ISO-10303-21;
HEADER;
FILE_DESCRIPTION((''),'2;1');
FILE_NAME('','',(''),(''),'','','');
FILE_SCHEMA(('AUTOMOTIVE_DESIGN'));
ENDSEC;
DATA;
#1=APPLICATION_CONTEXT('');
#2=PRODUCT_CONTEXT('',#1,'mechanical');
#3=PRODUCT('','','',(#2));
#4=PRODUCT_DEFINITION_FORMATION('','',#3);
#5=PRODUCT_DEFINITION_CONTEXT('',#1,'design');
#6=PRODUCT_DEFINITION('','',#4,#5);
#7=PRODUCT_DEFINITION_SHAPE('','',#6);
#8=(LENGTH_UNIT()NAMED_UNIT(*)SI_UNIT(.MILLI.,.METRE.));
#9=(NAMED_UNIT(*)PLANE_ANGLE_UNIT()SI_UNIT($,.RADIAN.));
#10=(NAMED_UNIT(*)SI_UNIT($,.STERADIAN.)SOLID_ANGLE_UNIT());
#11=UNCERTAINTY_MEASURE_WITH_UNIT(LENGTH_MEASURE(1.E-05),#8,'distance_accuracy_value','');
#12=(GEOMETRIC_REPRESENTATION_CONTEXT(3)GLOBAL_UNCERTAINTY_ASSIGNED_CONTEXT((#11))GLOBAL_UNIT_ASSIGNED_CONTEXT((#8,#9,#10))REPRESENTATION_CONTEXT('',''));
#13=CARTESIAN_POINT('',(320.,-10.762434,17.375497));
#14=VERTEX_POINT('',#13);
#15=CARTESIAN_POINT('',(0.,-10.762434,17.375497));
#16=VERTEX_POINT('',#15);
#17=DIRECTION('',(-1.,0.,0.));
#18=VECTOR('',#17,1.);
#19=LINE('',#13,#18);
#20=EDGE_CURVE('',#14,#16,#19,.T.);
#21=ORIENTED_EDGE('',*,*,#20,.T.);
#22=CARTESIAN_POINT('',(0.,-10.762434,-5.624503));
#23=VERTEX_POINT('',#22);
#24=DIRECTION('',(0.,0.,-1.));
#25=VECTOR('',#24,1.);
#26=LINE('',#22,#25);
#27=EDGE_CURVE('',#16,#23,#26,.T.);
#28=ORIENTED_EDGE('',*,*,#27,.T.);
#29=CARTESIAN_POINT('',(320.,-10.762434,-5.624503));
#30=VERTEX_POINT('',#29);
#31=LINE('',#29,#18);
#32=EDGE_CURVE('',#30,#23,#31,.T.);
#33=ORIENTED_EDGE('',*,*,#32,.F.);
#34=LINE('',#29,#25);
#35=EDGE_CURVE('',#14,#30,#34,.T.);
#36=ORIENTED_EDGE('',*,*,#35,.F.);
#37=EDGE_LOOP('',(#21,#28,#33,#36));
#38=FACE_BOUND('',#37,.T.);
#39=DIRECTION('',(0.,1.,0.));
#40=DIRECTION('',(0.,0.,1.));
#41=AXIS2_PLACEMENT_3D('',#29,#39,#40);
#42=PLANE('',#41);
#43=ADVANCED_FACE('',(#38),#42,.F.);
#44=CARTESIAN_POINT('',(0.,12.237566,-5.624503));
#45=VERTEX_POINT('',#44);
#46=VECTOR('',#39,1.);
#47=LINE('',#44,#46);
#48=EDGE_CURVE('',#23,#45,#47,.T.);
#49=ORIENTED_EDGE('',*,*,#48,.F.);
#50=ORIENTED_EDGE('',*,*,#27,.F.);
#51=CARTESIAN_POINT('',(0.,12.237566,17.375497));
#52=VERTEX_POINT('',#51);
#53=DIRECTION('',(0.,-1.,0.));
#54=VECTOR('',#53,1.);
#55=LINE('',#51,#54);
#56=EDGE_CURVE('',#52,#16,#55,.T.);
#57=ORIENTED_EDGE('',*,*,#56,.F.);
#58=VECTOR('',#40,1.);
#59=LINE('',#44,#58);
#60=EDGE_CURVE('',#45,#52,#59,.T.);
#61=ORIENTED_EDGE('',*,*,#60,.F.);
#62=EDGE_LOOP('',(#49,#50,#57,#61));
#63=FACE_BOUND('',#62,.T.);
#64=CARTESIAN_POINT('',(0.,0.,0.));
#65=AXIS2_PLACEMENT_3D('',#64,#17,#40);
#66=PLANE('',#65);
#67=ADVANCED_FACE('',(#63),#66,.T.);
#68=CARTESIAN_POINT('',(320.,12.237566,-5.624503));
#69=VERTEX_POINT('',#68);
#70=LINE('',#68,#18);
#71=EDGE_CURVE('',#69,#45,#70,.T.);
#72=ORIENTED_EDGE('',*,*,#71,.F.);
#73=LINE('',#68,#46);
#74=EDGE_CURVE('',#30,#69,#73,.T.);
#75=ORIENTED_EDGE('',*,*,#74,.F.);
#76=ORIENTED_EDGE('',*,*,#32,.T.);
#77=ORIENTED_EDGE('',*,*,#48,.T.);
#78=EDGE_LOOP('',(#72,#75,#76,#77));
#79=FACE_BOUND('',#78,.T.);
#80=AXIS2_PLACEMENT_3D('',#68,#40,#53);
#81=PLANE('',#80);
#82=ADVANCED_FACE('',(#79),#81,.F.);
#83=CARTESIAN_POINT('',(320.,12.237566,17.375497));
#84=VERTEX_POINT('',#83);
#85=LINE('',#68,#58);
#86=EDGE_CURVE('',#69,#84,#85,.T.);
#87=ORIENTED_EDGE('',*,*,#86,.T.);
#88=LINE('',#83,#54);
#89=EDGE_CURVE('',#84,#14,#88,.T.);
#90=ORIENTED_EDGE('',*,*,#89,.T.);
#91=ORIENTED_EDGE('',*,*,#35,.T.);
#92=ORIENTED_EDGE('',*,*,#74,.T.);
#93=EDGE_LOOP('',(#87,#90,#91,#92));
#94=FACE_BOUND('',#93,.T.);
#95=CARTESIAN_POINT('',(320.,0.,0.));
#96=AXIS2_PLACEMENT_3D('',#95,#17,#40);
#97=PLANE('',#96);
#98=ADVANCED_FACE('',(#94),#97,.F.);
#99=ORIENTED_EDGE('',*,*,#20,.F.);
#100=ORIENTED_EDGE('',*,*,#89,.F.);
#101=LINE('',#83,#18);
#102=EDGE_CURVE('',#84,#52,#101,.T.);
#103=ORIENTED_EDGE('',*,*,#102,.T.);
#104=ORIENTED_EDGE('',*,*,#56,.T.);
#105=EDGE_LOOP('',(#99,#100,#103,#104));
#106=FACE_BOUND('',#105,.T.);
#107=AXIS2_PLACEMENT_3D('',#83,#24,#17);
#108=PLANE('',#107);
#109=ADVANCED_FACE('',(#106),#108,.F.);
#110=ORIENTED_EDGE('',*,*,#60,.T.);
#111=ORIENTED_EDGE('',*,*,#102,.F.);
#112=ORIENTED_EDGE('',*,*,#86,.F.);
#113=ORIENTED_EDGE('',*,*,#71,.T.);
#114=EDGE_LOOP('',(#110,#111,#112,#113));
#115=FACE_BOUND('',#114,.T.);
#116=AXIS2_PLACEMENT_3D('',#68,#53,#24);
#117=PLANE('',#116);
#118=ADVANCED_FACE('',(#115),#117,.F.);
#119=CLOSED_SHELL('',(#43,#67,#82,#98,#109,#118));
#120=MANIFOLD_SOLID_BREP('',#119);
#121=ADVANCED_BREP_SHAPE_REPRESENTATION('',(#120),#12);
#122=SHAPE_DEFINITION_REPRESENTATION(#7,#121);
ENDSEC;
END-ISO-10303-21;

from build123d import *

# Parameters (mm, degrees)
SKETCH_1_W      = 23
SKETCH_1_H      = 23
EXTRUDE_1_DEPTH = 320


with BuildPart() as part:
    # Эскиз1 → Бобышка-Вытянуть1 (new body)
    with BuildSketch(Plane(origin=(0, 0, 0), x_dir=(0, 0, -1), z_dir=(1, 0, 0))):
        with Locations((-5.875496584, 0.737565549)):
            Rectangle(SKETCH_1_W, SKETCH_1_H)
    extrude(amount=EXTRUDE_1_DEPTH)


solid = part.part
